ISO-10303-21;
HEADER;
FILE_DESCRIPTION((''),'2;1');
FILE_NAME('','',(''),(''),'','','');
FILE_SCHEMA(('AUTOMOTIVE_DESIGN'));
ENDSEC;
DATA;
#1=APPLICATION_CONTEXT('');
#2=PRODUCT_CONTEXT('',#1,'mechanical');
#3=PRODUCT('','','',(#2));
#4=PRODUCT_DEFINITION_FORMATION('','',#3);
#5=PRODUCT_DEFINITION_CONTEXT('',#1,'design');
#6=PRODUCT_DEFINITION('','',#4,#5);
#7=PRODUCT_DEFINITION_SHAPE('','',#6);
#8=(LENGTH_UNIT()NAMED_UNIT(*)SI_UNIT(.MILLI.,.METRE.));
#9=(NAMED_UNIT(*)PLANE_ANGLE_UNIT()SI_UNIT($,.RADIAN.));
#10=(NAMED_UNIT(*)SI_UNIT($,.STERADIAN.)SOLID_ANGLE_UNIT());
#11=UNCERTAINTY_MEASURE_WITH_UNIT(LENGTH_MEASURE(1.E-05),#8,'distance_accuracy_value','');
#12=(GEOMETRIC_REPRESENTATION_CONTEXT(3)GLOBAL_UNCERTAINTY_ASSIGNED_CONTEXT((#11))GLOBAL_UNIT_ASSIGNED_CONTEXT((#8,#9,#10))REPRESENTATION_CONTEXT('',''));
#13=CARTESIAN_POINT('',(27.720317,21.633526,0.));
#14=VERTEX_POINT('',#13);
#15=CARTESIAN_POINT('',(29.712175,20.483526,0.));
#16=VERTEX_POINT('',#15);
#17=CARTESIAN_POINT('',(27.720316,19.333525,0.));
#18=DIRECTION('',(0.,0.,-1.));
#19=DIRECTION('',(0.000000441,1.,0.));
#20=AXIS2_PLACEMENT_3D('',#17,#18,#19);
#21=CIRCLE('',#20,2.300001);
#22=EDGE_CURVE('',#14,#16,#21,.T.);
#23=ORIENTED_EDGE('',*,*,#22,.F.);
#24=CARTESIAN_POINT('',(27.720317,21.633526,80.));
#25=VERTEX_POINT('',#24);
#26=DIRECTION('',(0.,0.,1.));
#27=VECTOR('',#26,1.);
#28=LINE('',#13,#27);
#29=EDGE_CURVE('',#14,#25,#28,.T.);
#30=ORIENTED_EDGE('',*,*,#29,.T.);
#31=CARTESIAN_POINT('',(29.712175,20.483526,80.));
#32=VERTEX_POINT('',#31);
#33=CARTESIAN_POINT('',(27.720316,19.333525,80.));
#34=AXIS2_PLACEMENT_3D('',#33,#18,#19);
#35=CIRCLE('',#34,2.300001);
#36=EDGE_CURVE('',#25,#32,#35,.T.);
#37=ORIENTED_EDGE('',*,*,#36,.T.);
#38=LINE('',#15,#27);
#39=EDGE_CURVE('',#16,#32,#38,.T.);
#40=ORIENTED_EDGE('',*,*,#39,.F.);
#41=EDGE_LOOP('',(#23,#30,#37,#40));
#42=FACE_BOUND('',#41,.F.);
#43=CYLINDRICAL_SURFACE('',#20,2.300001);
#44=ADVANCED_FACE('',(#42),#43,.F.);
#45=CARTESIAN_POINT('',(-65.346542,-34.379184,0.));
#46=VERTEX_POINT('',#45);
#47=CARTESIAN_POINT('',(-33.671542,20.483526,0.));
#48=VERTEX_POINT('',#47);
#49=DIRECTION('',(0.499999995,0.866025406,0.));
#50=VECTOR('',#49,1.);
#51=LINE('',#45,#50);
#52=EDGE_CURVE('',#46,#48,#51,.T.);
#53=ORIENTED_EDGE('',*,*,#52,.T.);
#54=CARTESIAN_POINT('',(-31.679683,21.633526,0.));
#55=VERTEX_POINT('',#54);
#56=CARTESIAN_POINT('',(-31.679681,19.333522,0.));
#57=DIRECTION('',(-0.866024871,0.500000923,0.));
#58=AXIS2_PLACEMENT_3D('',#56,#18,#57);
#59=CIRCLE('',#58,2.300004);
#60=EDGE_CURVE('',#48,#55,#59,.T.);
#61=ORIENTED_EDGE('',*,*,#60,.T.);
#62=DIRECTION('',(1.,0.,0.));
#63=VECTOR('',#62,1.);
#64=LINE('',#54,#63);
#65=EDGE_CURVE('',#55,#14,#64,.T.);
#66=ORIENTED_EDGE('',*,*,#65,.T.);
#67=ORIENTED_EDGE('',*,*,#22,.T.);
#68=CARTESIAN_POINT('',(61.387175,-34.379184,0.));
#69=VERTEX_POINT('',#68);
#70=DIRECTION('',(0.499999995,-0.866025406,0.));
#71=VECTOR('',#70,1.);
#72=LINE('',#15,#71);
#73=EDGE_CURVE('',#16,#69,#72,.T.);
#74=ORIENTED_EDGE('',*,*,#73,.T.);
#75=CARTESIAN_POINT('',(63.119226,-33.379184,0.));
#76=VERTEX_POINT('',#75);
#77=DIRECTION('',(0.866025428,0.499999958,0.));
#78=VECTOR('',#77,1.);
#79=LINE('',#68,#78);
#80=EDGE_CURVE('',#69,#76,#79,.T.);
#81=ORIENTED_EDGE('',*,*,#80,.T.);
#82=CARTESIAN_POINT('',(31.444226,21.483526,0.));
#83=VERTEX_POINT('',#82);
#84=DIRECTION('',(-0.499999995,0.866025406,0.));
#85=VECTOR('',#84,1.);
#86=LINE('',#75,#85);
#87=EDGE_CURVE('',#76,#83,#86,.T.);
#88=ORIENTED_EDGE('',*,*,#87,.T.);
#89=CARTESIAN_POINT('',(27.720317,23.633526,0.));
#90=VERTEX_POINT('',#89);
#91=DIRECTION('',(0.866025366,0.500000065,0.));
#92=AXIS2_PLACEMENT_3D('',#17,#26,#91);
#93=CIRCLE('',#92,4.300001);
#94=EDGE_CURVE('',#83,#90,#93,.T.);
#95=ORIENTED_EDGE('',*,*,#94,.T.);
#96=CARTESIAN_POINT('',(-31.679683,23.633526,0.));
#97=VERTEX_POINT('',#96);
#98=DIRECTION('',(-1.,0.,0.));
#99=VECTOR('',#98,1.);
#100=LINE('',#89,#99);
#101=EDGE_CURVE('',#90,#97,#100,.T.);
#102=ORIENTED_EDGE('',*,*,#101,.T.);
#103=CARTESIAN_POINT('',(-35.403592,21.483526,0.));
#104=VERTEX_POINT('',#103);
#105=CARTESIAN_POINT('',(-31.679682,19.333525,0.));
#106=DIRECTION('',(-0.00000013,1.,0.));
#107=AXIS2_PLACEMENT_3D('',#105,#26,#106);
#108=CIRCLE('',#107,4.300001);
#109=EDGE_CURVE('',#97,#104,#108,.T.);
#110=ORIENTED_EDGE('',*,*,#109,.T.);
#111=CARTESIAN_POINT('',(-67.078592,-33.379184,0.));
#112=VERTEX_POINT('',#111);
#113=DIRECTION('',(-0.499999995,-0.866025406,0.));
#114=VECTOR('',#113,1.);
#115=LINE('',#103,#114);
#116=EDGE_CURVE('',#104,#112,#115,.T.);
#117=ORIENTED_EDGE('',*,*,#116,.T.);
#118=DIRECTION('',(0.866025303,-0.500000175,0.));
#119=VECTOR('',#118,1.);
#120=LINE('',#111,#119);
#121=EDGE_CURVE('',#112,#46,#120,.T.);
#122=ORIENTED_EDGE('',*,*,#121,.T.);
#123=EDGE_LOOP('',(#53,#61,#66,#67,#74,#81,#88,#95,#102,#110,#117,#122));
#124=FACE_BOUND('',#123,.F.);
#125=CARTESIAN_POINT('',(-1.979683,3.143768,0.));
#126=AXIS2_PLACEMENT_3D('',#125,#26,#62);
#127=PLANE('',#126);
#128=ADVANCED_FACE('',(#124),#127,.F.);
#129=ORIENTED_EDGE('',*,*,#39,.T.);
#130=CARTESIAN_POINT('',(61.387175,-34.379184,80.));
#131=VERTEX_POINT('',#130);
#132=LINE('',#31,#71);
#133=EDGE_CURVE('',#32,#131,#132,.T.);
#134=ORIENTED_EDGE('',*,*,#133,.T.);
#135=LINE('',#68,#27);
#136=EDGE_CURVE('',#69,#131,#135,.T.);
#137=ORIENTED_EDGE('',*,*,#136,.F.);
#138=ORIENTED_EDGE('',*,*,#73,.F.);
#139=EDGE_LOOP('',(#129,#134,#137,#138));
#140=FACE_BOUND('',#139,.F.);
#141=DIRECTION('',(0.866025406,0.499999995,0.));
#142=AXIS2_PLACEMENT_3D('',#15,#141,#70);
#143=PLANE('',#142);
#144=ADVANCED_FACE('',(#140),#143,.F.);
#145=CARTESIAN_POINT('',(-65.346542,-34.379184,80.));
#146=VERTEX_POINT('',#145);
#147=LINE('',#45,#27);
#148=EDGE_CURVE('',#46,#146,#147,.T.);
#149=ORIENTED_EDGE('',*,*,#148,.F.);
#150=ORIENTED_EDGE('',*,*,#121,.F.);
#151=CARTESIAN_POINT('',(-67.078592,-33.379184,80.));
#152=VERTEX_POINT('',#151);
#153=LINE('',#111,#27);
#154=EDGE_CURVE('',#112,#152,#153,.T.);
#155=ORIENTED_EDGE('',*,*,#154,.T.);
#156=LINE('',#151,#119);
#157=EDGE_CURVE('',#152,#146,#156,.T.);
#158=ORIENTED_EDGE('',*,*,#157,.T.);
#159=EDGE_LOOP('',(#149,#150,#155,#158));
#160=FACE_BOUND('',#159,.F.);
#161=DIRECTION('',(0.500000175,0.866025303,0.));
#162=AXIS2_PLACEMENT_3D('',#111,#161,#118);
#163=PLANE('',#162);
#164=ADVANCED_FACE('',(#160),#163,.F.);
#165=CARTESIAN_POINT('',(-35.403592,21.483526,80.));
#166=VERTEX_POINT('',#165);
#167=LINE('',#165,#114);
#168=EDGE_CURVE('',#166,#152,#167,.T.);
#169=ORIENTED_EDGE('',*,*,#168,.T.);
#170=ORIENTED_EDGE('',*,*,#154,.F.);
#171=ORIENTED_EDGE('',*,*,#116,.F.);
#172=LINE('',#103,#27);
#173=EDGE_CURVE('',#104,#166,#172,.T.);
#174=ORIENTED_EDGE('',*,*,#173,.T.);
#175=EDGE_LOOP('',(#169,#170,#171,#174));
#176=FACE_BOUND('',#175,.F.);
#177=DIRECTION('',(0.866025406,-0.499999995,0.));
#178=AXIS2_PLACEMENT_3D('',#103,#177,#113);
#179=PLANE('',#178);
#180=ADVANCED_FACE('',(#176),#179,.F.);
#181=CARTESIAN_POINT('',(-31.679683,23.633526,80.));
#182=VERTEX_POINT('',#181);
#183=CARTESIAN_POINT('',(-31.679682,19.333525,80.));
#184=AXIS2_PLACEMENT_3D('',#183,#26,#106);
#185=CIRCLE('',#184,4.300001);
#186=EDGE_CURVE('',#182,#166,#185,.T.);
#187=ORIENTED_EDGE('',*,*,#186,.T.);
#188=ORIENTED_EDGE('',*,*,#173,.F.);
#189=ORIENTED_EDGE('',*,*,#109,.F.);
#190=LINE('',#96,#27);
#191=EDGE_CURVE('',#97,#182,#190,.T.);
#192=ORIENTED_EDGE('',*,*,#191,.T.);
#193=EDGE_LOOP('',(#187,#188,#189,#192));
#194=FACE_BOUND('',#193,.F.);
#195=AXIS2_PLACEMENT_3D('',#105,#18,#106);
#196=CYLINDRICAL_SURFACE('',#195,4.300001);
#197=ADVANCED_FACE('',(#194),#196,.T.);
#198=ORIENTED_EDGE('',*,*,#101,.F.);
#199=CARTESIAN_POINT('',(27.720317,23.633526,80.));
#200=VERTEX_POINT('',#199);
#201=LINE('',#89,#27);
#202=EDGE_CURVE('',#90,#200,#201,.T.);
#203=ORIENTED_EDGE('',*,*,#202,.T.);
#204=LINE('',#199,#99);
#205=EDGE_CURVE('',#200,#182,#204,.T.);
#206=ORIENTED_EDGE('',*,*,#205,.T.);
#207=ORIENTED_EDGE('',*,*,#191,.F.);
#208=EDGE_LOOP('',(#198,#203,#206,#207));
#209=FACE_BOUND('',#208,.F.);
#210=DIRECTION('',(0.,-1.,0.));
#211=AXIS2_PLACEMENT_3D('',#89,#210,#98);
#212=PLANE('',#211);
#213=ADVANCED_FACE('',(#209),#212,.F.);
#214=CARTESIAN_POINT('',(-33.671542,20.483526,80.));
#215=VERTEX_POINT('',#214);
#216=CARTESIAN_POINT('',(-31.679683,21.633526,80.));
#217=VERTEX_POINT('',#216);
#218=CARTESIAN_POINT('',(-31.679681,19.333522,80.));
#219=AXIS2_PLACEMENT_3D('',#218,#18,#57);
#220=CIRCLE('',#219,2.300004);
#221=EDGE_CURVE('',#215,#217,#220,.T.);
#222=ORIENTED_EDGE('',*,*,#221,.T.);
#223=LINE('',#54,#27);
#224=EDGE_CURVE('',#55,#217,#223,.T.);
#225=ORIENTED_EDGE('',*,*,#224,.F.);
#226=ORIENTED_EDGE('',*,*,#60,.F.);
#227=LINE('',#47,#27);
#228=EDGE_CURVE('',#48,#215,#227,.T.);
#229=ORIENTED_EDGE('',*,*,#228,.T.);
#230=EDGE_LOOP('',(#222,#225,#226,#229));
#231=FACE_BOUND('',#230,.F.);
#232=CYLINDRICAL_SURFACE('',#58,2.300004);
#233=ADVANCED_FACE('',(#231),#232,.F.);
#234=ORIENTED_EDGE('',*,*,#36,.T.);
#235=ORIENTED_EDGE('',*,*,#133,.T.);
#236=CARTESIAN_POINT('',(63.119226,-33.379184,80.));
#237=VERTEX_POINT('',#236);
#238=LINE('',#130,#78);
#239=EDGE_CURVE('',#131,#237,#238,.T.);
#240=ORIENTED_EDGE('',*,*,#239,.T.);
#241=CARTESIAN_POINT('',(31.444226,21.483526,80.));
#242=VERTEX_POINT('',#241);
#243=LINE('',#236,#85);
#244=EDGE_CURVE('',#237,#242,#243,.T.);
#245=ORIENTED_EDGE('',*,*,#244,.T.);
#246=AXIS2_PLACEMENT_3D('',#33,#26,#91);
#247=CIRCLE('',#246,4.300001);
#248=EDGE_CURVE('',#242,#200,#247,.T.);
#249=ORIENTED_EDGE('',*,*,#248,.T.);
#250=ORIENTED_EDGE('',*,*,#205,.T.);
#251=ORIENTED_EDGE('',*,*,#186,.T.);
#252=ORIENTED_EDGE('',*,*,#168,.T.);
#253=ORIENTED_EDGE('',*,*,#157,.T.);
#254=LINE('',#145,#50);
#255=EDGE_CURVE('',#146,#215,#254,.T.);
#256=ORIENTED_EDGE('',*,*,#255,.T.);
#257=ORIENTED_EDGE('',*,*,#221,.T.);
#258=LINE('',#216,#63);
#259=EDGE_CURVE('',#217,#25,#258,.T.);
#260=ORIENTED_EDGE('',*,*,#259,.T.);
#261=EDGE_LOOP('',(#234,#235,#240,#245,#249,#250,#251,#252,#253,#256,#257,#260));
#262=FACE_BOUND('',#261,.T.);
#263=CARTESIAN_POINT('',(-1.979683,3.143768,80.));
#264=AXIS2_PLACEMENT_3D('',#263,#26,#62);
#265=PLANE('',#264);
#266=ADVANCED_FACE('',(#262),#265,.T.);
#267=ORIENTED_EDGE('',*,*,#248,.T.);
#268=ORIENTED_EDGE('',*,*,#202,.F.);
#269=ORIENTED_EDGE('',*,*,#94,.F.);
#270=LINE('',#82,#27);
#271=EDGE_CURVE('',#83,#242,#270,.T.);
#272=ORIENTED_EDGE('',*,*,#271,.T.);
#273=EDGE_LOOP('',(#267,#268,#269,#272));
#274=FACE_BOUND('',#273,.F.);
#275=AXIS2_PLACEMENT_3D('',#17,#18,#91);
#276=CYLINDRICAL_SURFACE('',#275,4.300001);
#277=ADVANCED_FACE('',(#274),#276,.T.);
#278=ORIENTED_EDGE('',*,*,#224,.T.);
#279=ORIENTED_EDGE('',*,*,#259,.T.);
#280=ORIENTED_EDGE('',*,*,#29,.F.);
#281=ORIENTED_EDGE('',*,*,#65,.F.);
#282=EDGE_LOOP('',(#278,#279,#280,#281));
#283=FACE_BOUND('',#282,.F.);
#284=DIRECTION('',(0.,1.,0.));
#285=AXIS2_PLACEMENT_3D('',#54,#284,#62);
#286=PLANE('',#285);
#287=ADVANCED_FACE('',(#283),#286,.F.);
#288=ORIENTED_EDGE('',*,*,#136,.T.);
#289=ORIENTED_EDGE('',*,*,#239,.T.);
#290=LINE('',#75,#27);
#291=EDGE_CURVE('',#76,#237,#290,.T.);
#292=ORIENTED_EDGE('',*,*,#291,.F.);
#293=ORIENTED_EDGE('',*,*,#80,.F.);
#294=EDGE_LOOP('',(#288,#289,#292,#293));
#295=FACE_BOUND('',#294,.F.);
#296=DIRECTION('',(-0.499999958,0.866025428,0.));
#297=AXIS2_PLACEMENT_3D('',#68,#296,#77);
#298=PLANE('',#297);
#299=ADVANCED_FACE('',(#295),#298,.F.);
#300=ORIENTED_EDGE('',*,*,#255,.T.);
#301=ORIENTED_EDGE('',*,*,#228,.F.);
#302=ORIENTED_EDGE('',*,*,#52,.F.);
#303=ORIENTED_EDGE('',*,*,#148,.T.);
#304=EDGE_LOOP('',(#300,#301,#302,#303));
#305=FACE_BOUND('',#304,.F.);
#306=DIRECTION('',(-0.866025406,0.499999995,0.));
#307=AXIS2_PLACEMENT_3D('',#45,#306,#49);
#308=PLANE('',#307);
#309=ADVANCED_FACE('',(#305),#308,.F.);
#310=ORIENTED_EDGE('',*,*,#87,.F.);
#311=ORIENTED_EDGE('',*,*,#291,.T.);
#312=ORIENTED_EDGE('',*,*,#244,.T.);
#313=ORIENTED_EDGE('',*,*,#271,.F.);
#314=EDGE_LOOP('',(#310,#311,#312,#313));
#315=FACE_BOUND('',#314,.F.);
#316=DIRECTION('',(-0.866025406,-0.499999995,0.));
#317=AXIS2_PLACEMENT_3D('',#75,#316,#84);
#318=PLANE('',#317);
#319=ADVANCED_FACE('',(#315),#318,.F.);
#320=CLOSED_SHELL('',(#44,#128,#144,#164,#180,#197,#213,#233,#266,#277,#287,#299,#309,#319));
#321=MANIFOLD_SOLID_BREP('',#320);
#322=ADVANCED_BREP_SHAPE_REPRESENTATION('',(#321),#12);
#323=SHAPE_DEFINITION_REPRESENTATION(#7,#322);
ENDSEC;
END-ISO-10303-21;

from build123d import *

# Parameters (mm, degrees)
F1_DEPTH = 80


with BuildPart() as f1:
    # F0 (on Top) → F1 (new body)
    with BuildSketch(Plane.XY):
        with BuildLine():
            ThreePointArc((-33.671542, 20.483526), (-32.829683, 21.325384), (-31.679683, 21.633526))
            Line((-31.679683, 21.633526), (27.720317, 21.633526))
            ThreePointArc((27.720317, 21.633526), (28.870317, 21.325384), (29.712175, 20.483526))
            Line((29.712175, 20.483526), (61.387175, -34.379184))
            Line((61.387175, -34.379184), (63.119226, -33.379184))
            Line((63.119226, -33.379184), (31.444226, 21.483526))
            ThreePointArc((31.444226, 21.483526), (29.870317, 23.057435), (27.720317, 23.633526))
            Line((27.720317, 23.633526), (-31.679683, 23.633526))
            ThreePointArc((-31.679683, 23.633526), (-33.829683, 23.057435), (-35.403592, 21.483526))
            Line((-35.403592, 21.483526), (-67.078592, -33.379184))
            Line((-67.078592, -33.379184), (-65.346542, -34.379184))
            Line((-65.346542, -34.379184), (-33.671542, 20.483526))
        make_face()
    extrude(amount=F1_DEPTH)


solid = f1.part
